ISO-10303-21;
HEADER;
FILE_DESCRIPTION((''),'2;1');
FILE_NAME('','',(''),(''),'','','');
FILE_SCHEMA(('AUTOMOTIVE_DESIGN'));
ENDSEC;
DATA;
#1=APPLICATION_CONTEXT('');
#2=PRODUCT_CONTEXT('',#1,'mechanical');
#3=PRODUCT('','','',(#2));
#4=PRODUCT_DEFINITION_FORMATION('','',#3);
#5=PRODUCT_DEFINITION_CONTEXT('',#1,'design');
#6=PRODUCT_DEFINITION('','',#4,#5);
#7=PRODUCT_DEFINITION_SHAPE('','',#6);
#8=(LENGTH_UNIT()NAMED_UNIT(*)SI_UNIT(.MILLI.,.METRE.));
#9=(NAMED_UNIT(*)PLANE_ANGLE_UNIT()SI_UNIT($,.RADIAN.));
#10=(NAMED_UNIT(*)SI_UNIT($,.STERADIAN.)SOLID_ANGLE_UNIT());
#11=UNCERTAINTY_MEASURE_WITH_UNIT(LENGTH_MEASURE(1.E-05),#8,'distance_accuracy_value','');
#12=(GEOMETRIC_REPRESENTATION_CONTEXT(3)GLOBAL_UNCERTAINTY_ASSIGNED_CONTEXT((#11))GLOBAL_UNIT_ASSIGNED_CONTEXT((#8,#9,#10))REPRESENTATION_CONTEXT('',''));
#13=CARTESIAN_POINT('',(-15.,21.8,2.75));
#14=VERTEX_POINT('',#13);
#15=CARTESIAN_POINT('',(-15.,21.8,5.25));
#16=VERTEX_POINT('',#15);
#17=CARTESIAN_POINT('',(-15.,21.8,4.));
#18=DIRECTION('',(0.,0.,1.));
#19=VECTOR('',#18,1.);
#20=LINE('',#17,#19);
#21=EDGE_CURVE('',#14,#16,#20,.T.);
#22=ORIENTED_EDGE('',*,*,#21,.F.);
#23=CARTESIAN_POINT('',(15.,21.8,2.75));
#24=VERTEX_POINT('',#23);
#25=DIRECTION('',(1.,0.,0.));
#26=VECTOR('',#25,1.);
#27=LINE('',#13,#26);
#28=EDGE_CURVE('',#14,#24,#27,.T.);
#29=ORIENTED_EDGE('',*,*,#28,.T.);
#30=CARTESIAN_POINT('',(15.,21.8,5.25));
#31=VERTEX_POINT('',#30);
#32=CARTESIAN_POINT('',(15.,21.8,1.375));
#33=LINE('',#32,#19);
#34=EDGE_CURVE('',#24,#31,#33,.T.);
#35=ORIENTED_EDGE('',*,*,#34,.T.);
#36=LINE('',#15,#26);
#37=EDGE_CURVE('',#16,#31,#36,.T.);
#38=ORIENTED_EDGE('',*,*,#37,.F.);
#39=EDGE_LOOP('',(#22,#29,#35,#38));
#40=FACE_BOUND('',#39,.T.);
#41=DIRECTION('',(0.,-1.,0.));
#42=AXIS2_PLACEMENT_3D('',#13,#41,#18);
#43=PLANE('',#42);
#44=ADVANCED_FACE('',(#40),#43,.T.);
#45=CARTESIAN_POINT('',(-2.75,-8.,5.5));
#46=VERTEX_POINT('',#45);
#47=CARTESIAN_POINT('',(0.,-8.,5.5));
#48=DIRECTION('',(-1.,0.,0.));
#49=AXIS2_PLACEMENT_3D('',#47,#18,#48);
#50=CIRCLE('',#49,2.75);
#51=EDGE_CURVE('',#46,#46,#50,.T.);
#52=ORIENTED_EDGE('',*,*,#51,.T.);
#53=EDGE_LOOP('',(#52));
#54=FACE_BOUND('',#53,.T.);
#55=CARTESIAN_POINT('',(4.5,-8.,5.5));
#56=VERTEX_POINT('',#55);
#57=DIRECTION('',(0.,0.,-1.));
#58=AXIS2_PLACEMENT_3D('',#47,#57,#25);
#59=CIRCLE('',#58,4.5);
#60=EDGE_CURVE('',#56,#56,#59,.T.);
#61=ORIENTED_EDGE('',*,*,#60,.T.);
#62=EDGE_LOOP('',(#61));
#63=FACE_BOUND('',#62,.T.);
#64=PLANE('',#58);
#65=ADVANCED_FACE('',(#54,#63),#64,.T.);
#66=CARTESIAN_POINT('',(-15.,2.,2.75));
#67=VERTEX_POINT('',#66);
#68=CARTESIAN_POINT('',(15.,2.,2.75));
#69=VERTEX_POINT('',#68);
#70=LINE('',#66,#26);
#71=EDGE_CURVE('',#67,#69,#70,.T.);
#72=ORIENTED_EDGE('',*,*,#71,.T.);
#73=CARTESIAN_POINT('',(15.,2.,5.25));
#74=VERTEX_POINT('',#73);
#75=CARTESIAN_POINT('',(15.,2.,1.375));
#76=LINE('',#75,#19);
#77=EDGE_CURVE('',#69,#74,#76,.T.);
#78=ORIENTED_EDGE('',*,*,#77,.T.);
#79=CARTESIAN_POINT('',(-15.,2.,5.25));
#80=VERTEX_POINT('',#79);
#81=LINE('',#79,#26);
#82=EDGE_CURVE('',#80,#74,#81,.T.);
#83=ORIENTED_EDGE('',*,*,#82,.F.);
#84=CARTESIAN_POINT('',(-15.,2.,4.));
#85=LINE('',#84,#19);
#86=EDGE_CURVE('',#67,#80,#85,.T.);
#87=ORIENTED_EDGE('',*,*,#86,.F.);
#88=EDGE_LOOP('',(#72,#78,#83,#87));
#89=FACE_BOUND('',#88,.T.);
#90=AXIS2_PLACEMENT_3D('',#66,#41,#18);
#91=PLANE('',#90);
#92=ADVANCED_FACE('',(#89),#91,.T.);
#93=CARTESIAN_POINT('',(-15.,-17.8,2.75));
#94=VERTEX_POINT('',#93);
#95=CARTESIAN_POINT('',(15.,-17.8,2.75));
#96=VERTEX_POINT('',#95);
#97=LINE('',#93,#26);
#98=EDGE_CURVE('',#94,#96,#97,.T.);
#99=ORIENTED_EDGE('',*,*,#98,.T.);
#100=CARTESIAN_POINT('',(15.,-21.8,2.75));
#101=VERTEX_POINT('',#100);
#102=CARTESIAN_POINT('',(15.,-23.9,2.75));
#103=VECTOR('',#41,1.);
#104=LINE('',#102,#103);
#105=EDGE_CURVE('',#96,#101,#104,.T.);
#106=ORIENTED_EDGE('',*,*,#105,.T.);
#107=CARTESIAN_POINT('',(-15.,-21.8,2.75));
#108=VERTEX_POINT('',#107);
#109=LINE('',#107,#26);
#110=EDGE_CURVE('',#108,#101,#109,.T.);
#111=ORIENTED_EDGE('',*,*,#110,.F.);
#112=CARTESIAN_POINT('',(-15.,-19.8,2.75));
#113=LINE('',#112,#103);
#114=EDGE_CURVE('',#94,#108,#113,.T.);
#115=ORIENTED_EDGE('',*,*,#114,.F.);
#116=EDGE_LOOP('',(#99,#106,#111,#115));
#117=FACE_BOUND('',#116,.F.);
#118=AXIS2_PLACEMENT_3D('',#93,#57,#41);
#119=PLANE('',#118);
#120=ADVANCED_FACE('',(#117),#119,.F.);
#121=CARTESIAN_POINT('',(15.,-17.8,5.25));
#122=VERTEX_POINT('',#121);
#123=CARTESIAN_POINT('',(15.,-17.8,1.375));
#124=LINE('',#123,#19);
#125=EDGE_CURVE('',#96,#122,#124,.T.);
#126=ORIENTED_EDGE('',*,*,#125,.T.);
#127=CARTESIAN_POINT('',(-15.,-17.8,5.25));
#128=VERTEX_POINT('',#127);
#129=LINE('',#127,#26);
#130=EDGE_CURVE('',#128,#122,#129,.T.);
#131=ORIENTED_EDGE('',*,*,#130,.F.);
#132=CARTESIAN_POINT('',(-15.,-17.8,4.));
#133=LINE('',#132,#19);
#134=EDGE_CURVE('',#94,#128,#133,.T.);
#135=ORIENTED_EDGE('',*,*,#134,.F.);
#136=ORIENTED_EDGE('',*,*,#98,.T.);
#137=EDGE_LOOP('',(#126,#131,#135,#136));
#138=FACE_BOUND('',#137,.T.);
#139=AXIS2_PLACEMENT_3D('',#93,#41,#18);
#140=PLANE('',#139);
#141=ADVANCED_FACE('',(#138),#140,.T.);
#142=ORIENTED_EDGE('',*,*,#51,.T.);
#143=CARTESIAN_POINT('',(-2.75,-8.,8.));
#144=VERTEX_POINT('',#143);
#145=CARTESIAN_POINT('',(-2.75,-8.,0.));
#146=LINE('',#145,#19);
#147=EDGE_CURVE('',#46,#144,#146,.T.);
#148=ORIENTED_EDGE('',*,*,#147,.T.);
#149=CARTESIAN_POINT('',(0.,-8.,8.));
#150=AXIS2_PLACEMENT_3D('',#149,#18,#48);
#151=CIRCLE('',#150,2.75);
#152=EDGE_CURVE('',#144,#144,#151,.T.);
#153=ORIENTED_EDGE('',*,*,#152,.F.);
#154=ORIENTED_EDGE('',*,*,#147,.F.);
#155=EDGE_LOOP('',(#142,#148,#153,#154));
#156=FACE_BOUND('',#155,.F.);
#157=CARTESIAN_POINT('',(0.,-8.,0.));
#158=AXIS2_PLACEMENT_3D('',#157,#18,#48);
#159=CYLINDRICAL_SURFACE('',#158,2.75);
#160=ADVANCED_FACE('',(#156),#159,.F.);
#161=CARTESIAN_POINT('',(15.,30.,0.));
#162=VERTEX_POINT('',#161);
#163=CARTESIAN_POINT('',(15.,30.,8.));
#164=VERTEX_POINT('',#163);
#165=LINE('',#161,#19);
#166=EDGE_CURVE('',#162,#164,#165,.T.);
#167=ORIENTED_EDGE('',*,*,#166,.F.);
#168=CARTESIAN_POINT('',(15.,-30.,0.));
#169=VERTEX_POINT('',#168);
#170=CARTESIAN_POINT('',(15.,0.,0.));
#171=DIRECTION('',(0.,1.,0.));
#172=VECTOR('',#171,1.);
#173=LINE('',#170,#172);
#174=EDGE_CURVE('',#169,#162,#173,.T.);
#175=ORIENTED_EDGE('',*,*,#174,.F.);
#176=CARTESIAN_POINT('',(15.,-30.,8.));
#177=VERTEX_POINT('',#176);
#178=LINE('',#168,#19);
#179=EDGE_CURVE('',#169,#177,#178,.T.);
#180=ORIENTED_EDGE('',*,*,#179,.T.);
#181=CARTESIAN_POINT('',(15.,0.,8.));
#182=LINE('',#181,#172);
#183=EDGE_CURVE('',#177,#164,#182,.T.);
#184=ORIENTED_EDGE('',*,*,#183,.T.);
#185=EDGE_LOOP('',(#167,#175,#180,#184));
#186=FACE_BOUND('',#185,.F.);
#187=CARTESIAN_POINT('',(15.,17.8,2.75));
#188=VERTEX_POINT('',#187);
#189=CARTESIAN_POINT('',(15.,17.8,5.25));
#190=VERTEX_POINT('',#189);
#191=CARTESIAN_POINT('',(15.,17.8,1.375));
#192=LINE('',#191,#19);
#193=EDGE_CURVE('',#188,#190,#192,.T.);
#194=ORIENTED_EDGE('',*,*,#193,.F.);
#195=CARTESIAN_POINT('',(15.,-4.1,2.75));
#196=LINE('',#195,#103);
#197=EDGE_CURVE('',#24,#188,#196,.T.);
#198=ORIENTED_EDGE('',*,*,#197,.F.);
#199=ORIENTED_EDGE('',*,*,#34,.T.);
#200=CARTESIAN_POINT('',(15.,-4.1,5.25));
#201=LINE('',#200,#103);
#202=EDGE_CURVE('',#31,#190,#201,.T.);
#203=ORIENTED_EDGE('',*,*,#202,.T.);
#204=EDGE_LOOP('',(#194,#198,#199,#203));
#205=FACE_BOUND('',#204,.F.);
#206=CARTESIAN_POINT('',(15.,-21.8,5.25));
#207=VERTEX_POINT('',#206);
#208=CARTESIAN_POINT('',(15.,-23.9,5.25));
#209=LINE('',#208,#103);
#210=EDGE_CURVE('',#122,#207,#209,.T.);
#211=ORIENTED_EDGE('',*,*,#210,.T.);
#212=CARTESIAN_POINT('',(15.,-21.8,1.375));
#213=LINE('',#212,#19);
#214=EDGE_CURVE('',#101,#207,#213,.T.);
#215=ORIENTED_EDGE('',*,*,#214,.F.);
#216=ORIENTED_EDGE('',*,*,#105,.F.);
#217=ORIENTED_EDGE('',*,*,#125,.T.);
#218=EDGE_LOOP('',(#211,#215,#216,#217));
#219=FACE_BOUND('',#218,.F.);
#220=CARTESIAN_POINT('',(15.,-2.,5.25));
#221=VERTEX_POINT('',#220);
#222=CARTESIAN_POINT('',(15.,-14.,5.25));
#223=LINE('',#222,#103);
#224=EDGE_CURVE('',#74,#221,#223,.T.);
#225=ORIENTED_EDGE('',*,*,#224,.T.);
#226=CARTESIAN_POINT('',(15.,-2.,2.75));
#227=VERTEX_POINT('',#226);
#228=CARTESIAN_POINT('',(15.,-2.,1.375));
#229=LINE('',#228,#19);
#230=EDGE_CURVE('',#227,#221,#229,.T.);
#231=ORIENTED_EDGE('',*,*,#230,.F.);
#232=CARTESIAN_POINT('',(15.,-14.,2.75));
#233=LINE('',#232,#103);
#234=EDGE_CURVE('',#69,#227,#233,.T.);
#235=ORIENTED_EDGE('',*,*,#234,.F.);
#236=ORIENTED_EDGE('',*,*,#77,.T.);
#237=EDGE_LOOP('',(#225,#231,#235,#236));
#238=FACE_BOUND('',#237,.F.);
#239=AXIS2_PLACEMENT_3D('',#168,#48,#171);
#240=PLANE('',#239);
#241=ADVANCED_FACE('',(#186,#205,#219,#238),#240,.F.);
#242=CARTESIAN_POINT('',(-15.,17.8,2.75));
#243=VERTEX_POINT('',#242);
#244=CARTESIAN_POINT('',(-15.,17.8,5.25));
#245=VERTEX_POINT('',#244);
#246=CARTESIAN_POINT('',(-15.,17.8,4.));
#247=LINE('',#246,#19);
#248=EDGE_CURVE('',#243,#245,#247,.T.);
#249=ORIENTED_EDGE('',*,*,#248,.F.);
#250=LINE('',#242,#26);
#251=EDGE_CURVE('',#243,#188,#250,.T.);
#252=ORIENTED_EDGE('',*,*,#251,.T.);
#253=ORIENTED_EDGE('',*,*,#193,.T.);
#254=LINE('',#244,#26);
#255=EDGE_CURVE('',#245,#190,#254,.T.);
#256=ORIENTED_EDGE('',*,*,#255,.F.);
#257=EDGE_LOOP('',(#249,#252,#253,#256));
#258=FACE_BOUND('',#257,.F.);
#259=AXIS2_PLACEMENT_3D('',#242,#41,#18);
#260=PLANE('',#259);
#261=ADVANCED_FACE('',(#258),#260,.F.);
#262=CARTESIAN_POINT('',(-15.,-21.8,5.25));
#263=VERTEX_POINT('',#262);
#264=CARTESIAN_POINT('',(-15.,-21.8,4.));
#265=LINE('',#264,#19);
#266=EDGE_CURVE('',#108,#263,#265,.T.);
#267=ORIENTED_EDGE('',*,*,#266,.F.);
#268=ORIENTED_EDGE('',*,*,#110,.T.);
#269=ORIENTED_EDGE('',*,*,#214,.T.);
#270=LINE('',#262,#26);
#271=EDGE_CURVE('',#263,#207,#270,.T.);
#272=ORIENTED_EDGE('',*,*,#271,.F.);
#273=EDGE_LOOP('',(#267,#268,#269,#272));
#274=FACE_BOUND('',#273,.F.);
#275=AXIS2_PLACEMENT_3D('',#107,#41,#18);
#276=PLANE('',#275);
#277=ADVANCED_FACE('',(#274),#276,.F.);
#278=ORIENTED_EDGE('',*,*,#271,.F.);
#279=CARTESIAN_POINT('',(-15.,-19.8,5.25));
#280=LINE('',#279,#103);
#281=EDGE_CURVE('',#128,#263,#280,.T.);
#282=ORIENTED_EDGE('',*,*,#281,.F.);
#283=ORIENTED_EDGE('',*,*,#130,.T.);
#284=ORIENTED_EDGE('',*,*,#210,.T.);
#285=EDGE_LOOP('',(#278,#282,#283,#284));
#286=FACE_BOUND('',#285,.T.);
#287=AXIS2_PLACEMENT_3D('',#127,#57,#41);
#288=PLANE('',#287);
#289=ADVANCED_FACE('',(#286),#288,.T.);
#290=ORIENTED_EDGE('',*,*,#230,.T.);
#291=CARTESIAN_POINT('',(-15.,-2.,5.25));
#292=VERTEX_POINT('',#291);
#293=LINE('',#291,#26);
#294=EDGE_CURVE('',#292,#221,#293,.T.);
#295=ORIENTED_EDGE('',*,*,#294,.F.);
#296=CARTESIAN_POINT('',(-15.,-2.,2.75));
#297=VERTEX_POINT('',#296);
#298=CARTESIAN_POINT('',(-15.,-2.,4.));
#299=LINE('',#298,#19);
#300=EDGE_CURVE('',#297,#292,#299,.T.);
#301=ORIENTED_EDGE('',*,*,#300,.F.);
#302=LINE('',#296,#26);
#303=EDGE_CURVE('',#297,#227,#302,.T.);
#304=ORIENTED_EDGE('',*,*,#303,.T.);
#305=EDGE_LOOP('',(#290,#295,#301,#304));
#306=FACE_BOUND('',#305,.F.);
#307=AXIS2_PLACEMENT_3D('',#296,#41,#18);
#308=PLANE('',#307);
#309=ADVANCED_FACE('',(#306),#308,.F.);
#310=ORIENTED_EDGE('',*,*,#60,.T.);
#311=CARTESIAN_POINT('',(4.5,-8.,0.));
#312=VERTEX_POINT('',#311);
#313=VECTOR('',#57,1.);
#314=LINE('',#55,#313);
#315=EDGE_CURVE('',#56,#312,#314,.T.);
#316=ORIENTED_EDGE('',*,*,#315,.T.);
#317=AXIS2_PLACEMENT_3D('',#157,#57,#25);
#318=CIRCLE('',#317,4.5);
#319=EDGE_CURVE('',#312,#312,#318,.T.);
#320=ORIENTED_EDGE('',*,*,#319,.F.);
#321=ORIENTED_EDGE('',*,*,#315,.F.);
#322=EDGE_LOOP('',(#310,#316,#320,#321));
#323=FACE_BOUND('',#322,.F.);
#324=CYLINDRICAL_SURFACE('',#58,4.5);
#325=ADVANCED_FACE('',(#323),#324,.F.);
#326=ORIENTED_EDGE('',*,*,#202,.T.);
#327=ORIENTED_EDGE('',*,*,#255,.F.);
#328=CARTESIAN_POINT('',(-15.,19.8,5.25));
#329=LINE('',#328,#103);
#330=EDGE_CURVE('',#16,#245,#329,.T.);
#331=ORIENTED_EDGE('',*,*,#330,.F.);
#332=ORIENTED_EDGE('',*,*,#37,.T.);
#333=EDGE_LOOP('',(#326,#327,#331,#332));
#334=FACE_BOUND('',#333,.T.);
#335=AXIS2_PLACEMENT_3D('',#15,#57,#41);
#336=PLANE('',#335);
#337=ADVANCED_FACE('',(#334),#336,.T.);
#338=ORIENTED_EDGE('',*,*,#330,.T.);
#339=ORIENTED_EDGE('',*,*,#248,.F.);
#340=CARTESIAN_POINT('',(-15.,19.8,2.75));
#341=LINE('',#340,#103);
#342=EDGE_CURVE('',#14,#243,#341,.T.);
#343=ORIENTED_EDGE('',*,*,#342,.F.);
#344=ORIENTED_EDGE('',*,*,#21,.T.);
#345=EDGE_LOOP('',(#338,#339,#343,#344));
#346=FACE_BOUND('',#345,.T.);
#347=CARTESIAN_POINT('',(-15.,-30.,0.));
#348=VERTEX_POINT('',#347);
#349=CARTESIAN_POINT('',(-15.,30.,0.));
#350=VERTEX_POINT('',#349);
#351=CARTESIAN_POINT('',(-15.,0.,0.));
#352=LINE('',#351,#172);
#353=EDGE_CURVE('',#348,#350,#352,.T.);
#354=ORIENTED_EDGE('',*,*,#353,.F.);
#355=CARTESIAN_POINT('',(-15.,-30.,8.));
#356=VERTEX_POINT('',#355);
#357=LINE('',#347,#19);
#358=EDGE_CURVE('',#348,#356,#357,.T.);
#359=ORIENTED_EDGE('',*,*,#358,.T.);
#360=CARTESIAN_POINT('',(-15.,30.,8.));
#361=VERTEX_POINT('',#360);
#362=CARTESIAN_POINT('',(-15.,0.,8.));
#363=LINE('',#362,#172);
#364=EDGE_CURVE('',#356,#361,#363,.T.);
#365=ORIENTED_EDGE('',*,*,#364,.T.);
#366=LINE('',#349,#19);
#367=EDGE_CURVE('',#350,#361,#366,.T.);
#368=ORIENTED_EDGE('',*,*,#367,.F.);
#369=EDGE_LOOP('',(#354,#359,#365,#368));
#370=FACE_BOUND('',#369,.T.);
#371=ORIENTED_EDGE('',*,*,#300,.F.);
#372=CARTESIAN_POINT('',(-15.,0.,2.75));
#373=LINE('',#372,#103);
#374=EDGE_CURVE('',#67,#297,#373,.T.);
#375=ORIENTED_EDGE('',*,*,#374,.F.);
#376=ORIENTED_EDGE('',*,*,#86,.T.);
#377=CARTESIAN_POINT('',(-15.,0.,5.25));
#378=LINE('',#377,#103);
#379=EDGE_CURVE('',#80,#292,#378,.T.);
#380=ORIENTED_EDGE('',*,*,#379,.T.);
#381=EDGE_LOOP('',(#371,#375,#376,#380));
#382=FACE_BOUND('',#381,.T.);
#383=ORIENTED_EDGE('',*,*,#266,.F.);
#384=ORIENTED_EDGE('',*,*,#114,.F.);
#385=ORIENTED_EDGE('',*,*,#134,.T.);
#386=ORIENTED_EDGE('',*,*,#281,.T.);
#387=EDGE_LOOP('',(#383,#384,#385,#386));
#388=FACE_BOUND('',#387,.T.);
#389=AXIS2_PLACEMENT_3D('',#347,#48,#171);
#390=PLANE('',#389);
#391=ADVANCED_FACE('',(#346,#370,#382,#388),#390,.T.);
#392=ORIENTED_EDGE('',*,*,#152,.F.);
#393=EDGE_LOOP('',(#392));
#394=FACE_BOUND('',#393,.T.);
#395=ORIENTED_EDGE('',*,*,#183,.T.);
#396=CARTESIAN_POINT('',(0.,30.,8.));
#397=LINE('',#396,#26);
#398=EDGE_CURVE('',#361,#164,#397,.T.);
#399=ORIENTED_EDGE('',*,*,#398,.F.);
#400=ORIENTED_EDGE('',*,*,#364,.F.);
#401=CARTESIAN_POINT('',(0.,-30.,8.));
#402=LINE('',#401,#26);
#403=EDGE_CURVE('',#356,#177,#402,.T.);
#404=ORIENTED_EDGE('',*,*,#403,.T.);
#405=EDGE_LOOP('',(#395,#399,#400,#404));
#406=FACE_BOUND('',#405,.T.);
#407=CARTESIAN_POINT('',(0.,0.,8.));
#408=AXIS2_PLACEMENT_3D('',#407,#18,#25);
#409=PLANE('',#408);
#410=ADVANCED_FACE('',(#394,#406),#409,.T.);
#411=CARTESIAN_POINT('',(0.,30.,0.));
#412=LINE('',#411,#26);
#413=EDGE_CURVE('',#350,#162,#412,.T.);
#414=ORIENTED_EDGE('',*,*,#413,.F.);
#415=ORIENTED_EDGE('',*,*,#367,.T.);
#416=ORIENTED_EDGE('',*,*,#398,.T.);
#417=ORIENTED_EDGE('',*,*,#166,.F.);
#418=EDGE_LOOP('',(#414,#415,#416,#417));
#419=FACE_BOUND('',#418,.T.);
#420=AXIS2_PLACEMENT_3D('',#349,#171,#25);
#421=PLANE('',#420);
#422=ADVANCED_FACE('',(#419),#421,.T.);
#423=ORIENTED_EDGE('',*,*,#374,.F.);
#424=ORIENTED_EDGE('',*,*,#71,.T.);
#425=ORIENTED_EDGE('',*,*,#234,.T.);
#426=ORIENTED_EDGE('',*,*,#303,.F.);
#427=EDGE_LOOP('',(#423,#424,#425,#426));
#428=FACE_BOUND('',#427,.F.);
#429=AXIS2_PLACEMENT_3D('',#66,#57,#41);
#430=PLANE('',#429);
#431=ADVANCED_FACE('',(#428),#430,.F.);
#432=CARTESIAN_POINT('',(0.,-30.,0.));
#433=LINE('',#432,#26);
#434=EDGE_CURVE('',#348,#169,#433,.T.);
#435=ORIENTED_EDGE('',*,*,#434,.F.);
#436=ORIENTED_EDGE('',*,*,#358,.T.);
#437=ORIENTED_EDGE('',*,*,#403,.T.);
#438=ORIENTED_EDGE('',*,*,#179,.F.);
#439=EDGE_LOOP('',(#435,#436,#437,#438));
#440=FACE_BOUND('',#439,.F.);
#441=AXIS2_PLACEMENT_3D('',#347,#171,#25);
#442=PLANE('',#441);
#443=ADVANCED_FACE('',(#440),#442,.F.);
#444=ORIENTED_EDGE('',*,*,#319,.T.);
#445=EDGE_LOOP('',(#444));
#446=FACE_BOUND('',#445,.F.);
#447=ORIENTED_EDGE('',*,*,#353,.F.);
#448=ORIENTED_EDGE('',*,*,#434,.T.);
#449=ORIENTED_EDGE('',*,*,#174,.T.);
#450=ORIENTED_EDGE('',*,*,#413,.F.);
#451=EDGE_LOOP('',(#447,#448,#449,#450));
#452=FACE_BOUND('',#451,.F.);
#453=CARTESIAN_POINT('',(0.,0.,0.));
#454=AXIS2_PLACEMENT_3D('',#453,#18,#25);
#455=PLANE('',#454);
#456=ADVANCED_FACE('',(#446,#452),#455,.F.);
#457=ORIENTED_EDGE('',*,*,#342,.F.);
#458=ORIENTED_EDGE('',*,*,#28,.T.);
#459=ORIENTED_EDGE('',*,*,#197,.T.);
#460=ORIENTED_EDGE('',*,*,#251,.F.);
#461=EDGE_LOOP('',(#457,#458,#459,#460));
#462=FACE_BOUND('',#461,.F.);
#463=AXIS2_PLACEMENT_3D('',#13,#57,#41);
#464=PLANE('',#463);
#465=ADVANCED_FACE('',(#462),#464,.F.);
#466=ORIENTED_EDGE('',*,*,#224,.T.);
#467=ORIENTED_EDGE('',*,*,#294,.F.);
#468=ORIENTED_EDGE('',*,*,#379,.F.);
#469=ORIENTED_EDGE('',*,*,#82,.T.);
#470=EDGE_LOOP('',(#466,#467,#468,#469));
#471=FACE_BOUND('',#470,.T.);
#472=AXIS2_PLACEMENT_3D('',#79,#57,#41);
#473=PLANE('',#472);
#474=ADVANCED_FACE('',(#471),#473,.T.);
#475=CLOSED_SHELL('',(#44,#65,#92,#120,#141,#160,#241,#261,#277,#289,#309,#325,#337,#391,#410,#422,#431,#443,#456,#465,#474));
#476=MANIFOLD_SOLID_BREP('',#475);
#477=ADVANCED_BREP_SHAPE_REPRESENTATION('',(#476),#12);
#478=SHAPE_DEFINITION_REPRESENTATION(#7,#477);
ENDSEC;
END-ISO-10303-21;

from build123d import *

# Parameters (mm, degrees)
F0_W           = 30
F0_H           = 60
F1_DEPTH       = 8
F2_D           = 5.5
F2_DEPTH       = 30
F2_CBORE_D     = 9
F2_CBORE_DEPTH = 5.5
F2_TIP         = 1.6523667023
F3_W           = 4
F3_H           = 2.5
F4_DEPTH       = 30.001


with BuildPart() as f1:
    # F0 (on Top) → F1 (new body)
    with BuildSketch(Plane.XY):
        Rectangle(F0_W, F0_H)
    extrude(amount=F1_DEPTH)

    # F2
    with Locations(Plane(origin=(0, 0, 0), x_dir=(1, 0, 0), z_dir=(0, 0, -1))):
        with Locations((0, 8)):
            CounterBoreHole(F2_D / 2, F2_CBORE_D / 2, F2_CBORE_DEPTH, depth=F2_DEPTH)
            with Locations((0, 0, -(F2_DEPTH + F2_TIP / 2))):  # 118° drill point
                Cone(0, F2_D / 2, F2_TIP, mode=Mode.SUBTRACT)

    # F3 (on face) → F4 (cut, through all)
    with BuildSketch(Plane(origin=(-15, 0, 0), x_dir=(0, -1, 0), z_dir=(-1, 0, 0))):
        with Locations((-19.8, 4)):
            Rectangle(F3_W, F3_H)
        with Locations((0, 4)):
            Rectangle(F3_W, F3_H)
        with Locations((19.8, 4)):
            Rectangle(F3_W, F3_H)
    extrude(amount=-F4_DEPTH, mode=Mode.SUBTRACT)


solid = f1.part
